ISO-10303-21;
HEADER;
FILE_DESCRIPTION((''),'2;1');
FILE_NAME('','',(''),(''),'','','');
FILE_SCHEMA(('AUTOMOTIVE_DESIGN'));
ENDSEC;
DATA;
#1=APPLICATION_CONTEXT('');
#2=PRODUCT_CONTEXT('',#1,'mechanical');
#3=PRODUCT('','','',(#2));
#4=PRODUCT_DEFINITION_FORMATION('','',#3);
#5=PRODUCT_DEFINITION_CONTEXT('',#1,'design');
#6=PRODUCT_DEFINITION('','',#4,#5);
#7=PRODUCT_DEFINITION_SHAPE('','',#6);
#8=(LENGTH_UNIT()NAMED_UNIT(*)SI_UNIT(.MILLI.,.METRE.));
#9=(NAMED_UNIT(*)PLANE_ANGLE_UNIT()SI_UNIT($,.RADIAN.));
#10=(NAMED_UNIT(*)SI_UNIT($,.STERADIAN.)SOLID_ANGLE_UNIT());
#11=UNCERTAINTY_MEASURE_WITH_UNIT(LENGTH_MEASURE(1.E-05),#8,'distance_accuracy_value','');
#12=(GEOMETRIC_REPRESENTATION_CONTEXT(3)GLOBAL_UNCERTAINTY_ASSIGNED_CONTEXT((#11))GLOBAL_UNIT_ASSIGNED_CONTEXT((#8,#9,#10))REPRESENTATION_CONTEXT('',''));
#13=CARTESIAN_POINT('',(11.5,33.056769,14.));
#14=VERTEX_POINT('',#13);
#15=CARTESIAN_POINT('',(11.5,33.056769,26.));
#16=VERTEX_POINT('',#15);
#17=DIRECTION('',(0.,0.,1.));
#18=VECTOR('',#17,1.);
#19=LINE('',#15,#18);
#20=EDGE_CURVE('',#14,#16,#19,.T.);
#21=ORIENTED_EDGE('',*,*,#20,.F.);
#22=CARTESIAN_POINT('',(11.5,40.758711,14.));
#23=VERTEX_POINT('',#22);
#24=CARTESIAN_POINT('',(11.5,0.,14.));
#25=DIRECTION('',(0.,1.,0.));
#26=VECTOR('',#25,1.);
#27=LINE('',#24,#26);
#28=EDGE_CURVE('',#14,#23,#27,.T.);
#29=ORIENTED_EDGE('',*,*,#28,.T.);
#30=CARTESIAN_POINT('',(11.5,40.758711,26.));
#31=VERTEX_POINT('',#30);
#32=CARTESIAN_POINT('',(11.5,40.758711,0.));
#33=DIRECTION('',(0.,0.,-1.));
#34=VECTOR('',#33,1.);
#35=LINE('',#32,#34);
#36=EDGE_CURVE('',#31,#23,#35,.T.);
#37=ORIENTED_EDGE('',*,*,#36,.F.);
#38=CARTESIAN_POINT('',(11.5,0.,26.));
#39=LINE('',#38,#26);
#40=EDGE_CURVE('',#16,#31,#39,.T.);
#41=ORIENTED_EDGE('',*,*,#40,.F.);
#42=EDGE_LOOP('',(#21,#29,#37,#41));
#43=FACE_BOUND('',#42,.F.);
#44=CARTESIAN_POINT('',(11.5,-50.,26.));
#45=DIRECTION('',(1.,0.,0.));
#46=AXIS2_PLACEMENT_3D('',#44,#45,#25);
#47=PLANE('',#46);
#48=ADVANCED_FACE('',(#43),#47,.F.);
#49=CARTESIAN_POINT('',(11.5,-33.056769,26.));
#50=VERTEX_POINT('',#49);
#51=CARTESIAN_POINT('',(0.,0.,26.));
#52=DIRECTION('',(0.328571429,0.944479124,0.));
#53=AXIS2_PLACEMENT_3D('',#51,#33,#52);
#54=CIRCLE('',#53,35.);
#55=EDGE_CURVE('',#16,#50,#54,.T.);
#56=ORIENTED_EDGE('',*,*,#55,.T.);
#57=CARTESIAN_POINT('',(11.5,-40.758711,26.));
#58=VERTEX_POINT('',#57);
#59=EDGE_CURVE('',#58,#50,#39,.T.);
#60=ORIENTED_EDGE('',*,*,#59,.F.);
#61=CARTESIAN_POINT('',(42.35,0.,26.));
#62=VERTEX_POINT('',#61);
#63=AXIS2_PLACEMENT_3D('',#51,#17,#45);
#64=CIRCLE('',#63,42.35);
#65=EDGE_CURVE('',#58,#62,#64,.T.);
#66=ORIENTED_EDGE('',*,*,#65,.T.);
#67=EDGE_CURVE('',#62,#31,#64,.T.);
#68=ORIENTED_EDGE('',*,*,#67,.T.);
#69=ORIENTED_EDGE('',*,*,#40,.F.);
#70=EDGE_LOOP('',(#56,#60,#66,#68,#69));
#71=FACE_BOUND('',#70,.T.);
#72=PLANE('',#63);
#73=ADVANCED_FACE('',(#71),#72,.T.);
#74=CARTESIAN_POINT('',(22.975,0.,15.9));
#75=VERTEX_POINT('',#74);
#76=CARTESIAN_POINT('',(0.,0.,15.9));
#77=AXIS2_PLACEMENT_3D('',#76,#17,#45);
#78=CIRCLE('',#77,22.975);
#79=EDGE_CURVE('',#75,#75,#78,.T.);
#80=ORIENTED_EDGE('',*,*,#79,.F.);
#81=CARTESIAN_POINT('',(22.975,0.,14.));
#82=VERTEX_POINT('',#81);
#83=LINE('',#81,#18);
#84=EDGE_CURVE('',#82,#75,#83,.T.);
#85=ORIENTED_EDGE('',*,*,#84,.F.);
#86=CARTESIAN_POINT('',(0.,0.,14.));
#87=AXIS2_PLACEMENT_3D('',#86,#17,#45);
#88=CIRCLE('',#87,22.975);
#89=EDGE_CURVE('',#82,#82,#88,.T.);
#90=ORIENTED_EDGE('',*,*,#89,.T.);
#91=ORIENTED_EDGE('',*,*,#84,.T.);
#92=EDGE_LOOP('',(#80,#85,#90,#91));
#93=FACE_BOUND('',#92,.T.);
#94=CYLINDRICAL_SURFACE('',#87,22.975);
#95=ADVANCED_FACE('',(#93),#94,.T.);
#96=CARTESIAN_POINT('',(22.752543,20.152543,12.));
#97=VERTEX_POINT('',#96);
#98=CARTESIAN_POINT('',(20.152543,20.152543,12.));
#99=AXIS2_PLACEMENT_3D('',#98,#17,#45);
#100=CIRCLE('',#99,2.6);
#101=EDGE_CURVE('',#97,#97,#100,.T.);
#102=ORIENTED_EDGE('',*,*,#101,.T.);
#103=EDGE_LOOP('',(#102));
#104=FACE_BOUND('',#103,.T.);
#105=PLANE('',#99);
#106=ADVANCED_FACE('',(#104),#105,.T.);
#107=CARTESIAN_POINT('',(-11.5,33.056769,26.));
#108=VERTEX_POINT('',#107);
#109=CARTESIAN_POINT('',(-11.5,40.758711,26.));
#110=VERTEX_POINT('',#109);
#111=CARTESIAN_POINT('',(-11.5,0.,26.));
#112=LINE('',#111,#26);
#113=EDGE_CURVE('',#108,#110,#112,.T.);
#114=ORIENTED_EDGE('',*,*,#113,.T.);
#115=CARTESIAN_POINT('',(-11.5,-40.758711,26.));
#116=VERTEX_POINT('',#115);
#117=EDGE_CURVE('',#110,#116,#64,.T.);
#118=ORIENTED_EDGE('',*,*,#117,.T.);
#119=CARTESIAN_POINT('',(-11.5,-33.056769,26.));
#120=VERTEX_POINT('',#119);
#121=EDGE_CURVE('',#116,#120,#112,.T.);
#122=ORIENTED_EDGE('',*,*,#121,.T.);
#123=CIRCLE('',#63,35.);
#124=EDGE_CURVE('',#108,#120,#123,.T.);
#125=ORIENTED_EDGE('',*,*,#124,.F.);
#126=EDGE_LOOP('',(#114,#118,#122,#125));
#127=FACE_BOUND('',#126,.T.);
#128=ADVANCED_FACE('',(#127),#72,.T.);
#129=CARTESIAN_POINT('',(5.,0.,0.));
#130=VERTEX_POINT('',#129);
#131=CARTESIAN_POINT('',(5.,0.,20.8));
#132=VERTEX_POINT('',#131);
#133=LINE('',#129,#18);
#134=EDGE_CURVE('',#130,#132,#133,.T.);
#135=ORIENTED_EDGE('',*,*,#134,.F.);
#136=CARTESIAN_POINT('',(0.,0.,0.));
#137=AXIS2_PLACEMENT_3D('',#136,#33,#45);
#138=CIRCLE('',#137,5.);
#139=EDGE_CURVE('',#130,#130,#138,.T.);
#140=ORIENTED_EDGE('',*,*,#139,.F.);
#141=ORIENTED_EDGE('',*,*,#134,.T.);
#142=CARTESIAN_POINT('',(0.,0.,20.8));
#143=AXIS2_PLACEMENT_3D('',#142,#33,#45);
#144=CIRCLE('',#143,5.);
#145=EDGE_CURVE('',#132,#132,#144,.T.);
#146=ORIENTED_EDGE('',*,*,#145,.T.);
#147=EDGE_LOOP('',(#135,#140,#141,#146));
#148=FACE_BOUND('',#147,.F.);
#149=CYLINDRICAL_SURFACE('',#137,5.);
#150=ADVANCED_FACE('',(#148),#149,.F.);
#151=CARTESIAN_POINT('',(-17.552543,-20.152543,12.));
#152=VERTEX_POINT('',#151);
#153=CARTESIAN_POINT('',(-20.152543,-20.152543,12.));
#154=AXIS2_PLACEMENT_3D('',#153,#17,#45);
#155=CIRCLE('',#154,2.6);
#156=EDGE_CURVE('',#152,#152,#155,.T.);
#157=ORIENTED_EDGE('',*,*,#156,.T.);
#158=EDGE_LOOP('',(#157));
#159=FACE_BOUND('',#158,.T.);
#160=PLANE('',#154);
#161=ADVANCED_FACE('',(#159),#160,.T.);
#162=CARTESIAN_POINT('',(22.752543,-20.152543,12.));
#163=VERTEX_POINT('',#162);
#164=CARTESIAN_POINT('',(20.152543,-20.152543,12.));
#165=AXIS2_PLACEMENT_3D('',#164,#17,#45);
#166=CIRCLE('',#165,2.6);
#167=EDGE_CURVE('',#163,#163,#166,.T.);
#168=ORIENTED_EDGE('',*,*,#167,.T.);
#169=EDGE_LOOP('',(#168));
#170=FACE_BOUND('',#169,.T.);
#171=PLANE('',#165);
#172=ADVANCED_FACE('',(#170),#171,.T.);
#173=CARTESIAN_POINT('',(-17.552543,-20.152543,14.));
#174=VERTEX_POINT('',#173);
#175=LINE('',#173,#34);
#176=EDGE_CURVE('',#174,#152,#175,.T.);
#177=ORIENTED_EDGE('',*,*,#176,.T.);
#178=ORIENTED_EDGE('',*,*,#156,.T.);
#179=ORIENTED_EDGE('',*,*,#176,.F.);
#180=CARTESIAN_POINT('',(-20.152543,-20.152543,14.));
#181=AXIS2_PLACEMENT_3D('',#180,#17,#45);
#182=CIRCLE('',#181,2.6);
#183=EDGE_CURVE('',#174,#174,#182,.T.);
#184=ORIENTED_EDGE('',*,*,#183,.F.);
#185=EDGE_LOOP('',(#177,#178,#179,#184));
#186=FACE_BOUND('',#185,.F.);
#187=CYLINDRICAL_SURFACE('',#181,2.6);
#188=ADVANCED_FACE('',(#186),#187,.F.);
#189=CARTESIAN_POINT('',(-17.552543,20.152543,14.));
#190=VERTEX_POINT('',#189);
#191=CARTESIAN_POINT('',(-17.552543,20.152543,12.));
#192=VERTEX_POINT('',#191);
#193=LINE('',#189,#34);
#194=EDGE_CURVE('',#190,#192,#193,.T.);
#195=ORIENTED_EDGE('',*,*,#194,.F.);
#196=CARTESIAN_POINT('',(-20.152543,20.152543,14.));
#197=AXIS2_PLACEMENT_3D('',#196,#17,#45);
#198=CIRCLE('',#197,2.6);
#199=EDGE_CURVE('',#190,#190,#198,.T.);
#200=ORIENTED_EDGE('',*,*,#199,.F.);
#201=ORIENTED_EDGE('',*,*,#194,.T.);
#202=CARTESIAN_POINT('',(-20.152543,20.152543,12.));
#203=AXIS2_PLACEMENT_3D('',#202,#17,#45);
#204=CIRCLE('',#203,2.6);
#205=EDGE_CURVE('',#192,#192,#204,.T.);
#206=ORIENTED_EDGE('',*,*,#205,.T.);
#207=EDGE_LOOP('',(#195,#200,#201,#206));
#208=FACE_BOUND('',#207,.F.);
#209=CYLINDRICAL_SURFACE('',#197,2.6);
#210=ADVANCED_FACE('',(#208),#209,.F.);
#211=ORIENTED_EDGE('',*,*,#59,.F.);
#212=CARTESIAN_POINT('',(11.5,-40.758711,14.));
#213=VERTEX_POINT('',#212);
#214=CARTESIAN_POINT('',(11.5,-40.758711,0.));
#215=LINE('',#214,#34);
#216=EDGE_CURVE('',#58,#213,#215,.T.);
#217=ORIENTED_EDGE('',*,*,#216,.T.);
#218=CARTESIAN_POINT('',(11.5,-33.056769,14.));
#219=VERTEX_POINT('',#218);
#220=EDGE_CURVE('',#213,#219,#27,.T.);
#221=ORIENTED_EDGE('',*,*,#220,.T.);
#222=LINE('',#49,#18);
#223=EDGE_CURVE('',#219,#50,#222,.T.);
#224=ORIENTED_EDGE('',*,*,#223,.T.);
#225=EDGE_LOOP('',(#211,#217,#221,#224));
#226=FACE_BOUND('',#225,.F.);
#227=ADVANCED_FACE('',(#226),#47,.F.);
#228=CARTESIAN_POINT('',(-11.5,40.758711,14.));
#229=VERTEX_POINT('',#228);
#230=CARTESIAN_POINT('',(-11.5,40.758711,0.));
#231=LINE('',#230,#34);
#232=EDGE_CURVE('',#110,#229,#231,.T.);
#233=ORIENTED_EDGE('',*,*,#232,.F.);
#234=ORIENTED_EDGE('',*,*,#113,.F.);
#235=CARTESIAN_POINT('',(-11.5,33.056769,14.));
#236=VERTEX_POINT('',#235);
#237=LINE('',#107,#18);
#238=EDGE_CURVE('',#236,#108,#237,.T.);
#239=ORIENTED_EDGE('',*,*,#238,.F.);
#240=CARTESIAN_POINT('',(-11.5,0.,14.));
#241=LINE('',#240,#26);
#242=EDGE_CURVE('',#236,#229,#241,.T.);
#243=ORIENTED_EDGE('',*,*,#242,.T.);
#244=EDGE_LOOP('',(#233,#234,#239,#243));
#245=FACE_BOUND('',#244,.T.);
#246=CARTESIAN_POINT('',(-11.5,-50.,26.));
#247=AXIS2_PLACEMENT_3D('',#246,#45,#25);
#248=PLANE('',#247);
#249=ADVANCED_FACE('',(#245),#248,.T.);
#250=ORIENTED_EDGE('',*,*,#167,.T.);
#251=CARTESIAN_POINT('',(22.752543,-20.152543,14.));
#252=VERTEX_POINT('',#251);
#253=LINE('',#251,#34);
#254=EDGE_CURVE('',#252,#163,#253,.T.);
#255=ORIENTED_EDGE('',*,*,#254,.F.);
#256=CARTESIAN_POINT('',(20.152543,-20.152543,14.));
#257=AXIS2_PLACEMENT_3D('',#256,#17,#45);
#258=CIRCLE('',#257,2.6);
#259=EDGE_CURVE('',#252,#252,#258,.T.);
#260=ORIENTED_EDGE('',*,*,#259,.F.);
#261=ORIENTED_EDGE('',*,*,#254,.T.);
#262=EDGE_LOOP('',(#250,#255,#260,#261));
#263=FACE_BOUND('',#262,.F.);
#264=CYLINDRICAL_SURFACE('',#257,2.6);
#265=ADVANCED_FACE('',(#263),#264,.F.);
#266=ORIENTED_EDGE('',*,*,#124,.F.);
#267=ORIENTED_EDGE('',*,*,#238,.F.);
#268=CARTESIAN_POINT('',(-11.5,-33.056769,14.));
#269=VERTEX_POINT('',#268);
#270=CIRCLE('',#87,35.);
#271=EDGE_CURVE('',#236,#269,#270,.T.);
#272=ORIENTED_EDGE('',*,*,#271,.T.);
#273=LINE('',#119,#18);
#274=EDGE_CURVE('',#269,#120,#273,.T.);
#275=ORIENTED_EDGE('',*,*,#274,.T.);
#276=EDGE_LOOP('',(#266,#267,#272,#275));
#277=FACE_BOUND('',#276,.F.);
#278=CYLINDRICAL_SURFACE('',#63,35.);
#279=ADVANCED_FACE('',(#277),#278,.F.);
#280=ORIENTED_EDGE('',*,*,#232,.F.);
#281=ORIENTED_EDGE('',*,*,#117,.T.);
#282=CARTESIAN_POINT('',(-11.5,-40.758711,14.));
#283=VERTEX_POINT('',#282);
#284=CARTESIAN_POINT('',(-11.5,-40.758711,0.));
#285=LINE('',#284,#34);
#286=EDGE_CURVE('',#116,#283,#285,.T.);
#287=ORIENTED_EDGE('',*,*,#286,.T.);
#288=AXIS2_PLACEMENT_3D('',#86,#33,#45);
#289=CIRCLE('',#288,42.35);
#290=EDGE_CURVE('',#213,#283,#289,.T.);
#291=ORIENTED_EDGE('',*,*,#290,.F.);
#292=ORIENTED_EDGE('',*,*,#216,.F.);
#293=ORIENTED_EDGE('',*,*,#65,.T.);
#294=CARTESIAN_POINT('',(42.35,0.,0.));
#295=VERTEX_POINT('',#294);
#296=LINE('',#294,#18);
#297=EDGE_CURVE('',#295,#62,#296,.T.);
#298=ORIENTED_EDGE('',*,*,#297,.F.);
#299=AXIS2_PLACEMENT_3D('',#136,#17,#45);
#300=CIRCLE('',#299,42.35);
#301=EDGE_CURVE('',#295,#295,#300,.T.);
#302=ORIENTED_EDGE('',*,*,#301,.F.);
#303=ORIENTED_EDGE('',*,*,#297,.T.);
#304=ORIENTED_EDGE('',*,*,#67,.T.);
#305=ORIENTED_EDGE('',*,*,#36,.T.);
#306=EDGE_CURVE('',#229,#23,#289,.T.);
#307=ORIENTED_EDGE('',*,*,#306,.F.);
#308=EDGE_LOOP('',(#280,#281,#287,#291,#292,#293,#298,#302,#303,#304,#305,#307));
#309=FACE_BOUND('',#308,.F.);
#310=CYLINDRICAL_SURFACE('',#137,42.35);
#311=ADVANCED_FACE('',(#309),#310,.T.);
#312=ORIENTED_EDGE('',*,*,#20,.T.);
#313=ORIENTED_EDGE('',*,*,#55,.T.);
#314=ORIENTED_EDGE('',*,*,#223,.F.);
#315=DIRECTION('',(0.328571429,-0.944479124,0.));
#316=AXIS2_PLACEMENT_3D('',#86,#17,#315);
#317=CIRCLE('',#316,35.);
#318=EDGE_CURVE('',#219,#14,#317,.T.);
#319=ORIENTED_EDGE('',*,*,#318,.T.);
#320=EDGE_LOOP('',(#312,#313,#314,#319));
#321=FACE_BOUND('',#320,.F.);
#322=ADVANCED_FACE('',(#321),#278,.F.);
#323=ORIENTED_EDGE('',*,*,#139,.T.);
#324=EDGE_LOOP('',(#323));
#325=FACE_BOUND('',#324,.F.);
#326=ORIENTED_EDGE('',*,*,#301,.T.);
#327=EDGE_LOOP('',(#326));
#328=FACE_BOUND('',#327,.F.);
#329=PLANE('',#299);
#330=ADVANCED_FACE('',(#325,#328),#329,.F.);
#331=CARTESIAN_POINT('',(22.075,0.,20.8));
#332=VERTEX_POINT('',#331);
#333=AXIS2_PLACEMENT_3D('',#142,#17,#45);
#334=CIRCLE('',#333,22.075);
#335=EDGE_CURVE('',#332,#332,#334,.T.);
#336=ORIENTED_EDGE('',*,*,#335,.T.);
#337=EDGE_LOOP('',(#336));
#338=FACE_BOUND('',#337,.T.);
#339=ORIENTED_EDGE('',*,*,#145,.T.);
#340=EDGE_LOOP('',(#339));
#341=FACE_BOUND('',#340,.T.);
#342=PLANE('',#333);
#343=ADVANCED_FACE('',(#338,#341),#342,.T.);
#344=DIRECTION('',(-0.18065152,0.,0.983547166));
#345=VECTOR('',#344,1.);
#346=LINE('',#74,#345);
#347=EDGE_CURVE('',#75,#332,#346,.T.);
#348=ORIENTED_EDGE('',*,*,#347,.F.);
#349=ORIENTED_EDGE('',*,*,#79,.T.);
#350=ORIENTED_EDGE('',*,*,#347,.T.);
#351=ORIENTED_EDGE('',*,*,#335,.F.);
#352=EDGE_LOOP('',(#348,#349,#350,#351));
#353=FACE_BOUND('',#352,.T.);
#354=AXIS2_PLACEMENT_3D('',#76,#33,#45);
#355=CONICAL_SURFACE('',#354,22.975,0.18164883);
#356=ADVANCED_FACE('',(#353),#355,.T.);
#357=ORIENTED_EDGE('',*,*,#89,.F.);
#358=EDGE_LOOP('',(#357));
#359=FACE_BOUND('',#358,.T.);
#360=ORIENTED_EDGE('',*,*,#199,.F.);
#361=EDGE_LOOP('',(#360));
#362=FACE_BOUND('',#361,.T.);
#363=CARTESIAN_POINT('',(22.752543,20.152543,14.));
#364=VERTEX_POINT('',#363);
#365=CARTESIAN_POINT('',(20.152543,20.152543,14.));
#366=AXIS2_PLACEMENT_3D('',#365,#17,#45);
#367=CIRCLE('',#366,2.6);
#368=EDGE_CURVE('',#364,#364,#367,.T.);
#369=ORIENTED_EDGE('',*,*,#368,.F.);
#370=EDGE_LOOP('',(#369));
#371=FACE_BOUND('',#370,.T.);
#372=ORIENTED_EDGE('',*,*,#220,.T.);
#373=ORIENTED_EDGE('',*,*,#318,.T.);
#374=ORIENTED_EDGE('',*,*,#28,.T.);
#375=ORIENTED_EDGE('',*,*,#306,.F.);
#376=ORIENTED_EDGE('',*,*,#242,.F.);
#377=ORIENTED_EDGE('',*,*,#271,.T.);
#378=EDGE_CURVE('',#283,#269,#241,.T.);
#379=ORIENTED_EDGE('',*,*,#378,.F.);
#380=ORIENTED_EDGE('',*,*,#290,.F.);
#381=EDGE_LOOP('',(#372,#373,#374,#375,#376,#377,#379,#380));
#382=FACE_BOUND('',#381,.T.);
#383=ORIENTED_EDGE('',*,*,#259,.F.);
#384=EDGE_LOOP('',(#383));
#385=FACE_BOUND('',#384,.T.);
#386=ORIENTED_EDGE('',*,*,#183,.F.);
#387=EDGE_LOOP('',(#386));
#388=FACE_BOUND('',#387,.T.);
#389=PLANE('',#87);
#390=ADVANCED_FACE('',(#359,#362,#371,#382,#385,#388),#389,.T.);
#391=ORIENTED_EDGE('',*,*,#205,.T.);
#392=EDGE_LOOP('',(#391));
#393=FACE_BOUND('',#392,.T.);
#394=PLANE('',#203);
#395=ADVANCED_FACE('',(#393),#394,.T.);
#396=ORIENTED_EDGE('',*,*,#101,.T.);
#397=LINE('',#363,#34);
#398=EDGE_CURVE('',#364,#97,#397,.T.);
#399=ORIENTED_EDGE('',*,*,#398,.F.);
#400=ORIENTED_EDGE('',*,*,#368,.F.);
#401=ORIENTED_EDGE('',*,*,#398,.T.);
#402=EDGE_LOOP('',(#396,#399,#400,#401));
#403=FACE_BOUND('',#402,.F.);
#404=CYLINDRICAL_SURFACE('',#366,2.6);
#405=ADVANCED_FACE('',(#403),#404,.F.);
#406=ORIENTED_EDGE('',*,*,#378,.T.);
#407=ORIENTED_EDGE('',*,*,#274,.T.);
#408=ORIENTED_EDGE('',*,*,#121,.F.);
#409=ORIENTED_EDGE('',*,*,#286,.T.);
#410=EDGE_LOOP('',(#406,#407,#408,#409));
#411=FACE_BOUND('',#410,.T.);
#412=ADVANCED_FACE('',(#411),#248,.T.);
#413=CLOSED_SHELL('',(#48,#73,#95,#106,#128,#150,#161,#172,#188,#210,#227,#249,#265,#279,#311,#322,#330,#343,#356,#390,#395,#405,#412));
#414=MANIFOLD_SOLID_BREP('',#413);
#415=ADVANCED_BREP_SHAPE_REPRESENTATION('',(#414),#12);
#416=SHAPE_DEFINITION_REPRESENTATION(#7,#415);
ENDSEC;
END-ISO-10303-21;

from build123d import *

# Parameters (mm, degrees)
F0_R      = 42.35
F1_DEPTH  = 26
F2_R      = 35
F3_DEPTH  = 12
F6_W      = 23
F6_H      = 100
F7_DEPTH  = 12
F8_R      = 2.6
F9_DEPTH  = 2
F12_R     = 5
F13_DEPTH = 26.001


with BuildPart() as f1:
    # F0 (on Top) → F1 (new body)
    with BuildSketch(Plane.XY):
        Circle(F0_R)
    extrude(amount=F1_DEPTH)

    # F2 (on face) → F3 (cut)
    with BuildSketch(Plane.XY.offset(26)):
        Circle(F2_R)
    extrude(amount=-F3_DEPTH, mode=Mode.SUBTRACT)

    # F6 (on face) → F7 (cut)
    with BuildSketch(Plane.XY.offset(26)):
        Rectangle(F6_W, F6_H)
    extrude(amount=-F7_DEPTH, mode=Mode.SUBTRACT)

    # F8 (on face) → F9 (cut)
    with BuildSketch(Plane.XY.offset(14)):
        with Locations((-20.152543, 20.152543)):
            Circle(F8_R)
        with Locations((20.152543, 20.152543)):
            Circle(F8_R)
        with Locations((20.152543, -20.152543)):
            Circle(F8_R)
        with Locations((-20.152543, -20.152543)):
            Circle(F8_R)
    extrude(amount=-F9_DEPTH, mode=Mode.SUBTRACT)

    # F10 (on Front) → F11 (revolve)
    with BuildSketch(Plane.XZ):
        Polygon((22.075, 20.8), (0, 20.8), (0, 14), (22.975, 14), (22.975, 15.9), align=None)
    revolve(axis=Axis((0, 0, 8.84423), (0, 0, 1)))

    # F12 (on face) → F13 (cut, through all)
    with BuildSketch(Plane(origin=(0, 0, 0), x_dir=(1, 0, 0), z_dir=(0, 0, -1))):
        Circle(F12_R)
    extrude(amount=-F13_DEPTH, mode=Mode.SUBTRACT)


solid = f1.part
